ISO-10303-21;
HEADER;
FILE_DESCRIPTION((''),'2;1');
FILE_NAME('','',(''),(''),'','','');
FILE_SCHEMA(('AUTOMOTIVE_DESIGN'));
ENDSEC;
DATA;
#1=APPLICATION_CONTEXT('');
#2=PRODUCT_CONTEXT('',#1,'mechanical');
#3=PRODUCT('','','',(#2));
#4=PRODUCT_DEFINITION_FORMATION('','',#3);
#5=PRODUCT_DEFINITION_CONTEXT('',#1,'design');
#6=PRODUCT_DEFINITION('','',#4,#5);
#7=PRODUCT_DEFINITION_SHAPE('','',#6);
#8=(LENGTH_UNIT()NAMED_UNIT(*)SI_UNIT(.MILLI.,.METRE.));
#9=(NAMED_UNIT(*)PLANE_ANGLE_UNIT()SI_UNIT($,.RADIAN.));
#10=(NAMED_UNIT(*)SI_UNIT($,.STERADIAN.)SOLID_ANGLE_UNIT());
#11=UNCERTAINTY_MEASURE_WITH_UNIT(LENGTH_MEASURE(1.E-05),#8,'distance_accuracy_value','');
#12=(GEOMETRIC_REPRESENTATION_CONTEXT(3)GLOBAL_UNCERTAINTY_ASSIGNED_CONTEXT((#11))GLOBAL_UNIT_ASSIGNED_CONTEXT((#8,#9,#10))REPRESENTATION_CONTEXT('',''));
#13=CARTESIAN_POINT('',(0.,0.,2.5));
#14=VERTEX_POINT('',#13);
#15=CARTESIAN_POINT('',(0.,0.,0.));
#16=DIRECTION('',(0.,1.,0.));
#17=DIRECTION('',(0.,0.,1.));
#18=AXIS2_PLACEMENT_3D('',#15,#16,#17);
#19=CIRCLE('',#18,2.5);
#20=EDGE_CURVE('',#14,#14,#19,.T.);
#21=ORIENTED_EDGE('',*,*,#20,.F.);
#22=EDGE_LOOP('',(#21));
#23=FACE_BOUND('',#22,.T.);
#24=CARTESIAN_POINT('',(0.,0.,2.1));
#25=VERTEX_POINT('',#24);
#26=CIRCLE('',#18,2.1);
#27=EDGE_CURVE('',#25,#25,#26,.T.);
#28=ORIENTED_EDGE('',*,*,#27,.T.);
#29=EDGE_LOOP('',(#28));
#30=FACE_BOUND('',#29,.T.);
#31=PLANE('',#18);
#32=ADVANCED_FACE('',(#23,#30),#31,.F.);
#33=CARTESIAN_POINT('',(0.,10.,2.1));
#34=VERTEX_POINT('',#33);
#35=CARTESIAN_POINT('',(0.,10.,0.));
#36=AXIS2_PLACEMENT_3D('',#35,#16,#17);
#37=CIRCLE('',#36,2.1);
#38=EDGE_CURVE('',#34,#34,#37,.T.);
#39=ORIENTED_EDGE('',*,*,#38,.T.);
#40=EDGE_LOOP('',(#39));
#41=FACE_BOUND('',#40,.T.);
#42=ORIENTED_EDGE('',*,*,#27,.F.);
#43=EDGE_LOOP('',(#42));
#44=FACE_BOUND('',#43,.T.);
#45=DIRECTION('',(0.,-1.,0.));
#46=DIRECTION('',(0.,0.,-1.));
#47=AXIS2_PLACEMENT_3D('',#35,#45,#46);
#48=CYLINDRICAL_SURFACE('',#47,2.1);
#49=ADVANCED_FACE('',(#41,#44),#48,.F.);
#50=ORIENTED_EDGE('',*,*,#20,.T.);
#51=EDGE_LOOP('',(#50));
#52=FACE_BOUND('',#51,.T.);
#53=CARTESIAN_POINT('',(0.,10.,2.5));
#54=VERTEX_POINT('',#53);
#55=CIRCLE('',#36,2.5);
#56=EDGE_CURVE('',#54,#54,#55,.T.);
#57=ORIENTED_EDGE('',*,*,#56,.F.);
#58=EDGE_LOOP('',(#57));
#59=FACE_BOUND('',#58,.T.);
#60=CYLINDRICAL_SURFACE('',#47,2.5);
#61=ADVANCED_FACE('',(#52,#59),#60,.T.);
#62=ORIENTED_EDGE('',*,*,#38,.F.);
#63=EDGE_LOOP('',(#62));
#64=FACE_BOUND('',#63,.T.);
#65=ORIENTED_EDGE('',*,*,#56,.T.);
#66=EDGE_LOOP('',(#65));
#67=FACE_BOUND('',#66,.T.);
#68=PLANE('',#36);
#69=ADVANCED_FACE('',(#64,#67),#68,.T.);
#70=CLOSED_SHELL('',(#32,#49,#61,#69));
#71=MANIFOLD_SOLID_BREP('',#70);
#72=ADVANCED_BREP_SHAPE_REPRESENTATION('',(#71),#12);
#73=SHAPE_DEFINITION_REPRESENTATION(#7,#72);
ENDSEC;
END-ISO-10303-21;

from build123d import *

# Parameters (mm, degrees)
SKETCH1_R           = 2.5
SKETCH1_R_2         = 2.1
BOSS_EXTRUDE1_DEPTH = 10


with BuildPart() as part:
    # Sketch1 → Boss-Extrude1 (new body)
    with BuildSketch(Plane(origin=(0, 0, 0), x_dir=(1, 0, 0), z_dir=(0, 1, 0))):
        Circle(SKETCH1_R)
        Circle(SKETCH1_R_2, mode=Mode.SUBTRACT)
    extrude(amount=BOSS_EXTRUDE1_DEPTH)


solid = part.part
